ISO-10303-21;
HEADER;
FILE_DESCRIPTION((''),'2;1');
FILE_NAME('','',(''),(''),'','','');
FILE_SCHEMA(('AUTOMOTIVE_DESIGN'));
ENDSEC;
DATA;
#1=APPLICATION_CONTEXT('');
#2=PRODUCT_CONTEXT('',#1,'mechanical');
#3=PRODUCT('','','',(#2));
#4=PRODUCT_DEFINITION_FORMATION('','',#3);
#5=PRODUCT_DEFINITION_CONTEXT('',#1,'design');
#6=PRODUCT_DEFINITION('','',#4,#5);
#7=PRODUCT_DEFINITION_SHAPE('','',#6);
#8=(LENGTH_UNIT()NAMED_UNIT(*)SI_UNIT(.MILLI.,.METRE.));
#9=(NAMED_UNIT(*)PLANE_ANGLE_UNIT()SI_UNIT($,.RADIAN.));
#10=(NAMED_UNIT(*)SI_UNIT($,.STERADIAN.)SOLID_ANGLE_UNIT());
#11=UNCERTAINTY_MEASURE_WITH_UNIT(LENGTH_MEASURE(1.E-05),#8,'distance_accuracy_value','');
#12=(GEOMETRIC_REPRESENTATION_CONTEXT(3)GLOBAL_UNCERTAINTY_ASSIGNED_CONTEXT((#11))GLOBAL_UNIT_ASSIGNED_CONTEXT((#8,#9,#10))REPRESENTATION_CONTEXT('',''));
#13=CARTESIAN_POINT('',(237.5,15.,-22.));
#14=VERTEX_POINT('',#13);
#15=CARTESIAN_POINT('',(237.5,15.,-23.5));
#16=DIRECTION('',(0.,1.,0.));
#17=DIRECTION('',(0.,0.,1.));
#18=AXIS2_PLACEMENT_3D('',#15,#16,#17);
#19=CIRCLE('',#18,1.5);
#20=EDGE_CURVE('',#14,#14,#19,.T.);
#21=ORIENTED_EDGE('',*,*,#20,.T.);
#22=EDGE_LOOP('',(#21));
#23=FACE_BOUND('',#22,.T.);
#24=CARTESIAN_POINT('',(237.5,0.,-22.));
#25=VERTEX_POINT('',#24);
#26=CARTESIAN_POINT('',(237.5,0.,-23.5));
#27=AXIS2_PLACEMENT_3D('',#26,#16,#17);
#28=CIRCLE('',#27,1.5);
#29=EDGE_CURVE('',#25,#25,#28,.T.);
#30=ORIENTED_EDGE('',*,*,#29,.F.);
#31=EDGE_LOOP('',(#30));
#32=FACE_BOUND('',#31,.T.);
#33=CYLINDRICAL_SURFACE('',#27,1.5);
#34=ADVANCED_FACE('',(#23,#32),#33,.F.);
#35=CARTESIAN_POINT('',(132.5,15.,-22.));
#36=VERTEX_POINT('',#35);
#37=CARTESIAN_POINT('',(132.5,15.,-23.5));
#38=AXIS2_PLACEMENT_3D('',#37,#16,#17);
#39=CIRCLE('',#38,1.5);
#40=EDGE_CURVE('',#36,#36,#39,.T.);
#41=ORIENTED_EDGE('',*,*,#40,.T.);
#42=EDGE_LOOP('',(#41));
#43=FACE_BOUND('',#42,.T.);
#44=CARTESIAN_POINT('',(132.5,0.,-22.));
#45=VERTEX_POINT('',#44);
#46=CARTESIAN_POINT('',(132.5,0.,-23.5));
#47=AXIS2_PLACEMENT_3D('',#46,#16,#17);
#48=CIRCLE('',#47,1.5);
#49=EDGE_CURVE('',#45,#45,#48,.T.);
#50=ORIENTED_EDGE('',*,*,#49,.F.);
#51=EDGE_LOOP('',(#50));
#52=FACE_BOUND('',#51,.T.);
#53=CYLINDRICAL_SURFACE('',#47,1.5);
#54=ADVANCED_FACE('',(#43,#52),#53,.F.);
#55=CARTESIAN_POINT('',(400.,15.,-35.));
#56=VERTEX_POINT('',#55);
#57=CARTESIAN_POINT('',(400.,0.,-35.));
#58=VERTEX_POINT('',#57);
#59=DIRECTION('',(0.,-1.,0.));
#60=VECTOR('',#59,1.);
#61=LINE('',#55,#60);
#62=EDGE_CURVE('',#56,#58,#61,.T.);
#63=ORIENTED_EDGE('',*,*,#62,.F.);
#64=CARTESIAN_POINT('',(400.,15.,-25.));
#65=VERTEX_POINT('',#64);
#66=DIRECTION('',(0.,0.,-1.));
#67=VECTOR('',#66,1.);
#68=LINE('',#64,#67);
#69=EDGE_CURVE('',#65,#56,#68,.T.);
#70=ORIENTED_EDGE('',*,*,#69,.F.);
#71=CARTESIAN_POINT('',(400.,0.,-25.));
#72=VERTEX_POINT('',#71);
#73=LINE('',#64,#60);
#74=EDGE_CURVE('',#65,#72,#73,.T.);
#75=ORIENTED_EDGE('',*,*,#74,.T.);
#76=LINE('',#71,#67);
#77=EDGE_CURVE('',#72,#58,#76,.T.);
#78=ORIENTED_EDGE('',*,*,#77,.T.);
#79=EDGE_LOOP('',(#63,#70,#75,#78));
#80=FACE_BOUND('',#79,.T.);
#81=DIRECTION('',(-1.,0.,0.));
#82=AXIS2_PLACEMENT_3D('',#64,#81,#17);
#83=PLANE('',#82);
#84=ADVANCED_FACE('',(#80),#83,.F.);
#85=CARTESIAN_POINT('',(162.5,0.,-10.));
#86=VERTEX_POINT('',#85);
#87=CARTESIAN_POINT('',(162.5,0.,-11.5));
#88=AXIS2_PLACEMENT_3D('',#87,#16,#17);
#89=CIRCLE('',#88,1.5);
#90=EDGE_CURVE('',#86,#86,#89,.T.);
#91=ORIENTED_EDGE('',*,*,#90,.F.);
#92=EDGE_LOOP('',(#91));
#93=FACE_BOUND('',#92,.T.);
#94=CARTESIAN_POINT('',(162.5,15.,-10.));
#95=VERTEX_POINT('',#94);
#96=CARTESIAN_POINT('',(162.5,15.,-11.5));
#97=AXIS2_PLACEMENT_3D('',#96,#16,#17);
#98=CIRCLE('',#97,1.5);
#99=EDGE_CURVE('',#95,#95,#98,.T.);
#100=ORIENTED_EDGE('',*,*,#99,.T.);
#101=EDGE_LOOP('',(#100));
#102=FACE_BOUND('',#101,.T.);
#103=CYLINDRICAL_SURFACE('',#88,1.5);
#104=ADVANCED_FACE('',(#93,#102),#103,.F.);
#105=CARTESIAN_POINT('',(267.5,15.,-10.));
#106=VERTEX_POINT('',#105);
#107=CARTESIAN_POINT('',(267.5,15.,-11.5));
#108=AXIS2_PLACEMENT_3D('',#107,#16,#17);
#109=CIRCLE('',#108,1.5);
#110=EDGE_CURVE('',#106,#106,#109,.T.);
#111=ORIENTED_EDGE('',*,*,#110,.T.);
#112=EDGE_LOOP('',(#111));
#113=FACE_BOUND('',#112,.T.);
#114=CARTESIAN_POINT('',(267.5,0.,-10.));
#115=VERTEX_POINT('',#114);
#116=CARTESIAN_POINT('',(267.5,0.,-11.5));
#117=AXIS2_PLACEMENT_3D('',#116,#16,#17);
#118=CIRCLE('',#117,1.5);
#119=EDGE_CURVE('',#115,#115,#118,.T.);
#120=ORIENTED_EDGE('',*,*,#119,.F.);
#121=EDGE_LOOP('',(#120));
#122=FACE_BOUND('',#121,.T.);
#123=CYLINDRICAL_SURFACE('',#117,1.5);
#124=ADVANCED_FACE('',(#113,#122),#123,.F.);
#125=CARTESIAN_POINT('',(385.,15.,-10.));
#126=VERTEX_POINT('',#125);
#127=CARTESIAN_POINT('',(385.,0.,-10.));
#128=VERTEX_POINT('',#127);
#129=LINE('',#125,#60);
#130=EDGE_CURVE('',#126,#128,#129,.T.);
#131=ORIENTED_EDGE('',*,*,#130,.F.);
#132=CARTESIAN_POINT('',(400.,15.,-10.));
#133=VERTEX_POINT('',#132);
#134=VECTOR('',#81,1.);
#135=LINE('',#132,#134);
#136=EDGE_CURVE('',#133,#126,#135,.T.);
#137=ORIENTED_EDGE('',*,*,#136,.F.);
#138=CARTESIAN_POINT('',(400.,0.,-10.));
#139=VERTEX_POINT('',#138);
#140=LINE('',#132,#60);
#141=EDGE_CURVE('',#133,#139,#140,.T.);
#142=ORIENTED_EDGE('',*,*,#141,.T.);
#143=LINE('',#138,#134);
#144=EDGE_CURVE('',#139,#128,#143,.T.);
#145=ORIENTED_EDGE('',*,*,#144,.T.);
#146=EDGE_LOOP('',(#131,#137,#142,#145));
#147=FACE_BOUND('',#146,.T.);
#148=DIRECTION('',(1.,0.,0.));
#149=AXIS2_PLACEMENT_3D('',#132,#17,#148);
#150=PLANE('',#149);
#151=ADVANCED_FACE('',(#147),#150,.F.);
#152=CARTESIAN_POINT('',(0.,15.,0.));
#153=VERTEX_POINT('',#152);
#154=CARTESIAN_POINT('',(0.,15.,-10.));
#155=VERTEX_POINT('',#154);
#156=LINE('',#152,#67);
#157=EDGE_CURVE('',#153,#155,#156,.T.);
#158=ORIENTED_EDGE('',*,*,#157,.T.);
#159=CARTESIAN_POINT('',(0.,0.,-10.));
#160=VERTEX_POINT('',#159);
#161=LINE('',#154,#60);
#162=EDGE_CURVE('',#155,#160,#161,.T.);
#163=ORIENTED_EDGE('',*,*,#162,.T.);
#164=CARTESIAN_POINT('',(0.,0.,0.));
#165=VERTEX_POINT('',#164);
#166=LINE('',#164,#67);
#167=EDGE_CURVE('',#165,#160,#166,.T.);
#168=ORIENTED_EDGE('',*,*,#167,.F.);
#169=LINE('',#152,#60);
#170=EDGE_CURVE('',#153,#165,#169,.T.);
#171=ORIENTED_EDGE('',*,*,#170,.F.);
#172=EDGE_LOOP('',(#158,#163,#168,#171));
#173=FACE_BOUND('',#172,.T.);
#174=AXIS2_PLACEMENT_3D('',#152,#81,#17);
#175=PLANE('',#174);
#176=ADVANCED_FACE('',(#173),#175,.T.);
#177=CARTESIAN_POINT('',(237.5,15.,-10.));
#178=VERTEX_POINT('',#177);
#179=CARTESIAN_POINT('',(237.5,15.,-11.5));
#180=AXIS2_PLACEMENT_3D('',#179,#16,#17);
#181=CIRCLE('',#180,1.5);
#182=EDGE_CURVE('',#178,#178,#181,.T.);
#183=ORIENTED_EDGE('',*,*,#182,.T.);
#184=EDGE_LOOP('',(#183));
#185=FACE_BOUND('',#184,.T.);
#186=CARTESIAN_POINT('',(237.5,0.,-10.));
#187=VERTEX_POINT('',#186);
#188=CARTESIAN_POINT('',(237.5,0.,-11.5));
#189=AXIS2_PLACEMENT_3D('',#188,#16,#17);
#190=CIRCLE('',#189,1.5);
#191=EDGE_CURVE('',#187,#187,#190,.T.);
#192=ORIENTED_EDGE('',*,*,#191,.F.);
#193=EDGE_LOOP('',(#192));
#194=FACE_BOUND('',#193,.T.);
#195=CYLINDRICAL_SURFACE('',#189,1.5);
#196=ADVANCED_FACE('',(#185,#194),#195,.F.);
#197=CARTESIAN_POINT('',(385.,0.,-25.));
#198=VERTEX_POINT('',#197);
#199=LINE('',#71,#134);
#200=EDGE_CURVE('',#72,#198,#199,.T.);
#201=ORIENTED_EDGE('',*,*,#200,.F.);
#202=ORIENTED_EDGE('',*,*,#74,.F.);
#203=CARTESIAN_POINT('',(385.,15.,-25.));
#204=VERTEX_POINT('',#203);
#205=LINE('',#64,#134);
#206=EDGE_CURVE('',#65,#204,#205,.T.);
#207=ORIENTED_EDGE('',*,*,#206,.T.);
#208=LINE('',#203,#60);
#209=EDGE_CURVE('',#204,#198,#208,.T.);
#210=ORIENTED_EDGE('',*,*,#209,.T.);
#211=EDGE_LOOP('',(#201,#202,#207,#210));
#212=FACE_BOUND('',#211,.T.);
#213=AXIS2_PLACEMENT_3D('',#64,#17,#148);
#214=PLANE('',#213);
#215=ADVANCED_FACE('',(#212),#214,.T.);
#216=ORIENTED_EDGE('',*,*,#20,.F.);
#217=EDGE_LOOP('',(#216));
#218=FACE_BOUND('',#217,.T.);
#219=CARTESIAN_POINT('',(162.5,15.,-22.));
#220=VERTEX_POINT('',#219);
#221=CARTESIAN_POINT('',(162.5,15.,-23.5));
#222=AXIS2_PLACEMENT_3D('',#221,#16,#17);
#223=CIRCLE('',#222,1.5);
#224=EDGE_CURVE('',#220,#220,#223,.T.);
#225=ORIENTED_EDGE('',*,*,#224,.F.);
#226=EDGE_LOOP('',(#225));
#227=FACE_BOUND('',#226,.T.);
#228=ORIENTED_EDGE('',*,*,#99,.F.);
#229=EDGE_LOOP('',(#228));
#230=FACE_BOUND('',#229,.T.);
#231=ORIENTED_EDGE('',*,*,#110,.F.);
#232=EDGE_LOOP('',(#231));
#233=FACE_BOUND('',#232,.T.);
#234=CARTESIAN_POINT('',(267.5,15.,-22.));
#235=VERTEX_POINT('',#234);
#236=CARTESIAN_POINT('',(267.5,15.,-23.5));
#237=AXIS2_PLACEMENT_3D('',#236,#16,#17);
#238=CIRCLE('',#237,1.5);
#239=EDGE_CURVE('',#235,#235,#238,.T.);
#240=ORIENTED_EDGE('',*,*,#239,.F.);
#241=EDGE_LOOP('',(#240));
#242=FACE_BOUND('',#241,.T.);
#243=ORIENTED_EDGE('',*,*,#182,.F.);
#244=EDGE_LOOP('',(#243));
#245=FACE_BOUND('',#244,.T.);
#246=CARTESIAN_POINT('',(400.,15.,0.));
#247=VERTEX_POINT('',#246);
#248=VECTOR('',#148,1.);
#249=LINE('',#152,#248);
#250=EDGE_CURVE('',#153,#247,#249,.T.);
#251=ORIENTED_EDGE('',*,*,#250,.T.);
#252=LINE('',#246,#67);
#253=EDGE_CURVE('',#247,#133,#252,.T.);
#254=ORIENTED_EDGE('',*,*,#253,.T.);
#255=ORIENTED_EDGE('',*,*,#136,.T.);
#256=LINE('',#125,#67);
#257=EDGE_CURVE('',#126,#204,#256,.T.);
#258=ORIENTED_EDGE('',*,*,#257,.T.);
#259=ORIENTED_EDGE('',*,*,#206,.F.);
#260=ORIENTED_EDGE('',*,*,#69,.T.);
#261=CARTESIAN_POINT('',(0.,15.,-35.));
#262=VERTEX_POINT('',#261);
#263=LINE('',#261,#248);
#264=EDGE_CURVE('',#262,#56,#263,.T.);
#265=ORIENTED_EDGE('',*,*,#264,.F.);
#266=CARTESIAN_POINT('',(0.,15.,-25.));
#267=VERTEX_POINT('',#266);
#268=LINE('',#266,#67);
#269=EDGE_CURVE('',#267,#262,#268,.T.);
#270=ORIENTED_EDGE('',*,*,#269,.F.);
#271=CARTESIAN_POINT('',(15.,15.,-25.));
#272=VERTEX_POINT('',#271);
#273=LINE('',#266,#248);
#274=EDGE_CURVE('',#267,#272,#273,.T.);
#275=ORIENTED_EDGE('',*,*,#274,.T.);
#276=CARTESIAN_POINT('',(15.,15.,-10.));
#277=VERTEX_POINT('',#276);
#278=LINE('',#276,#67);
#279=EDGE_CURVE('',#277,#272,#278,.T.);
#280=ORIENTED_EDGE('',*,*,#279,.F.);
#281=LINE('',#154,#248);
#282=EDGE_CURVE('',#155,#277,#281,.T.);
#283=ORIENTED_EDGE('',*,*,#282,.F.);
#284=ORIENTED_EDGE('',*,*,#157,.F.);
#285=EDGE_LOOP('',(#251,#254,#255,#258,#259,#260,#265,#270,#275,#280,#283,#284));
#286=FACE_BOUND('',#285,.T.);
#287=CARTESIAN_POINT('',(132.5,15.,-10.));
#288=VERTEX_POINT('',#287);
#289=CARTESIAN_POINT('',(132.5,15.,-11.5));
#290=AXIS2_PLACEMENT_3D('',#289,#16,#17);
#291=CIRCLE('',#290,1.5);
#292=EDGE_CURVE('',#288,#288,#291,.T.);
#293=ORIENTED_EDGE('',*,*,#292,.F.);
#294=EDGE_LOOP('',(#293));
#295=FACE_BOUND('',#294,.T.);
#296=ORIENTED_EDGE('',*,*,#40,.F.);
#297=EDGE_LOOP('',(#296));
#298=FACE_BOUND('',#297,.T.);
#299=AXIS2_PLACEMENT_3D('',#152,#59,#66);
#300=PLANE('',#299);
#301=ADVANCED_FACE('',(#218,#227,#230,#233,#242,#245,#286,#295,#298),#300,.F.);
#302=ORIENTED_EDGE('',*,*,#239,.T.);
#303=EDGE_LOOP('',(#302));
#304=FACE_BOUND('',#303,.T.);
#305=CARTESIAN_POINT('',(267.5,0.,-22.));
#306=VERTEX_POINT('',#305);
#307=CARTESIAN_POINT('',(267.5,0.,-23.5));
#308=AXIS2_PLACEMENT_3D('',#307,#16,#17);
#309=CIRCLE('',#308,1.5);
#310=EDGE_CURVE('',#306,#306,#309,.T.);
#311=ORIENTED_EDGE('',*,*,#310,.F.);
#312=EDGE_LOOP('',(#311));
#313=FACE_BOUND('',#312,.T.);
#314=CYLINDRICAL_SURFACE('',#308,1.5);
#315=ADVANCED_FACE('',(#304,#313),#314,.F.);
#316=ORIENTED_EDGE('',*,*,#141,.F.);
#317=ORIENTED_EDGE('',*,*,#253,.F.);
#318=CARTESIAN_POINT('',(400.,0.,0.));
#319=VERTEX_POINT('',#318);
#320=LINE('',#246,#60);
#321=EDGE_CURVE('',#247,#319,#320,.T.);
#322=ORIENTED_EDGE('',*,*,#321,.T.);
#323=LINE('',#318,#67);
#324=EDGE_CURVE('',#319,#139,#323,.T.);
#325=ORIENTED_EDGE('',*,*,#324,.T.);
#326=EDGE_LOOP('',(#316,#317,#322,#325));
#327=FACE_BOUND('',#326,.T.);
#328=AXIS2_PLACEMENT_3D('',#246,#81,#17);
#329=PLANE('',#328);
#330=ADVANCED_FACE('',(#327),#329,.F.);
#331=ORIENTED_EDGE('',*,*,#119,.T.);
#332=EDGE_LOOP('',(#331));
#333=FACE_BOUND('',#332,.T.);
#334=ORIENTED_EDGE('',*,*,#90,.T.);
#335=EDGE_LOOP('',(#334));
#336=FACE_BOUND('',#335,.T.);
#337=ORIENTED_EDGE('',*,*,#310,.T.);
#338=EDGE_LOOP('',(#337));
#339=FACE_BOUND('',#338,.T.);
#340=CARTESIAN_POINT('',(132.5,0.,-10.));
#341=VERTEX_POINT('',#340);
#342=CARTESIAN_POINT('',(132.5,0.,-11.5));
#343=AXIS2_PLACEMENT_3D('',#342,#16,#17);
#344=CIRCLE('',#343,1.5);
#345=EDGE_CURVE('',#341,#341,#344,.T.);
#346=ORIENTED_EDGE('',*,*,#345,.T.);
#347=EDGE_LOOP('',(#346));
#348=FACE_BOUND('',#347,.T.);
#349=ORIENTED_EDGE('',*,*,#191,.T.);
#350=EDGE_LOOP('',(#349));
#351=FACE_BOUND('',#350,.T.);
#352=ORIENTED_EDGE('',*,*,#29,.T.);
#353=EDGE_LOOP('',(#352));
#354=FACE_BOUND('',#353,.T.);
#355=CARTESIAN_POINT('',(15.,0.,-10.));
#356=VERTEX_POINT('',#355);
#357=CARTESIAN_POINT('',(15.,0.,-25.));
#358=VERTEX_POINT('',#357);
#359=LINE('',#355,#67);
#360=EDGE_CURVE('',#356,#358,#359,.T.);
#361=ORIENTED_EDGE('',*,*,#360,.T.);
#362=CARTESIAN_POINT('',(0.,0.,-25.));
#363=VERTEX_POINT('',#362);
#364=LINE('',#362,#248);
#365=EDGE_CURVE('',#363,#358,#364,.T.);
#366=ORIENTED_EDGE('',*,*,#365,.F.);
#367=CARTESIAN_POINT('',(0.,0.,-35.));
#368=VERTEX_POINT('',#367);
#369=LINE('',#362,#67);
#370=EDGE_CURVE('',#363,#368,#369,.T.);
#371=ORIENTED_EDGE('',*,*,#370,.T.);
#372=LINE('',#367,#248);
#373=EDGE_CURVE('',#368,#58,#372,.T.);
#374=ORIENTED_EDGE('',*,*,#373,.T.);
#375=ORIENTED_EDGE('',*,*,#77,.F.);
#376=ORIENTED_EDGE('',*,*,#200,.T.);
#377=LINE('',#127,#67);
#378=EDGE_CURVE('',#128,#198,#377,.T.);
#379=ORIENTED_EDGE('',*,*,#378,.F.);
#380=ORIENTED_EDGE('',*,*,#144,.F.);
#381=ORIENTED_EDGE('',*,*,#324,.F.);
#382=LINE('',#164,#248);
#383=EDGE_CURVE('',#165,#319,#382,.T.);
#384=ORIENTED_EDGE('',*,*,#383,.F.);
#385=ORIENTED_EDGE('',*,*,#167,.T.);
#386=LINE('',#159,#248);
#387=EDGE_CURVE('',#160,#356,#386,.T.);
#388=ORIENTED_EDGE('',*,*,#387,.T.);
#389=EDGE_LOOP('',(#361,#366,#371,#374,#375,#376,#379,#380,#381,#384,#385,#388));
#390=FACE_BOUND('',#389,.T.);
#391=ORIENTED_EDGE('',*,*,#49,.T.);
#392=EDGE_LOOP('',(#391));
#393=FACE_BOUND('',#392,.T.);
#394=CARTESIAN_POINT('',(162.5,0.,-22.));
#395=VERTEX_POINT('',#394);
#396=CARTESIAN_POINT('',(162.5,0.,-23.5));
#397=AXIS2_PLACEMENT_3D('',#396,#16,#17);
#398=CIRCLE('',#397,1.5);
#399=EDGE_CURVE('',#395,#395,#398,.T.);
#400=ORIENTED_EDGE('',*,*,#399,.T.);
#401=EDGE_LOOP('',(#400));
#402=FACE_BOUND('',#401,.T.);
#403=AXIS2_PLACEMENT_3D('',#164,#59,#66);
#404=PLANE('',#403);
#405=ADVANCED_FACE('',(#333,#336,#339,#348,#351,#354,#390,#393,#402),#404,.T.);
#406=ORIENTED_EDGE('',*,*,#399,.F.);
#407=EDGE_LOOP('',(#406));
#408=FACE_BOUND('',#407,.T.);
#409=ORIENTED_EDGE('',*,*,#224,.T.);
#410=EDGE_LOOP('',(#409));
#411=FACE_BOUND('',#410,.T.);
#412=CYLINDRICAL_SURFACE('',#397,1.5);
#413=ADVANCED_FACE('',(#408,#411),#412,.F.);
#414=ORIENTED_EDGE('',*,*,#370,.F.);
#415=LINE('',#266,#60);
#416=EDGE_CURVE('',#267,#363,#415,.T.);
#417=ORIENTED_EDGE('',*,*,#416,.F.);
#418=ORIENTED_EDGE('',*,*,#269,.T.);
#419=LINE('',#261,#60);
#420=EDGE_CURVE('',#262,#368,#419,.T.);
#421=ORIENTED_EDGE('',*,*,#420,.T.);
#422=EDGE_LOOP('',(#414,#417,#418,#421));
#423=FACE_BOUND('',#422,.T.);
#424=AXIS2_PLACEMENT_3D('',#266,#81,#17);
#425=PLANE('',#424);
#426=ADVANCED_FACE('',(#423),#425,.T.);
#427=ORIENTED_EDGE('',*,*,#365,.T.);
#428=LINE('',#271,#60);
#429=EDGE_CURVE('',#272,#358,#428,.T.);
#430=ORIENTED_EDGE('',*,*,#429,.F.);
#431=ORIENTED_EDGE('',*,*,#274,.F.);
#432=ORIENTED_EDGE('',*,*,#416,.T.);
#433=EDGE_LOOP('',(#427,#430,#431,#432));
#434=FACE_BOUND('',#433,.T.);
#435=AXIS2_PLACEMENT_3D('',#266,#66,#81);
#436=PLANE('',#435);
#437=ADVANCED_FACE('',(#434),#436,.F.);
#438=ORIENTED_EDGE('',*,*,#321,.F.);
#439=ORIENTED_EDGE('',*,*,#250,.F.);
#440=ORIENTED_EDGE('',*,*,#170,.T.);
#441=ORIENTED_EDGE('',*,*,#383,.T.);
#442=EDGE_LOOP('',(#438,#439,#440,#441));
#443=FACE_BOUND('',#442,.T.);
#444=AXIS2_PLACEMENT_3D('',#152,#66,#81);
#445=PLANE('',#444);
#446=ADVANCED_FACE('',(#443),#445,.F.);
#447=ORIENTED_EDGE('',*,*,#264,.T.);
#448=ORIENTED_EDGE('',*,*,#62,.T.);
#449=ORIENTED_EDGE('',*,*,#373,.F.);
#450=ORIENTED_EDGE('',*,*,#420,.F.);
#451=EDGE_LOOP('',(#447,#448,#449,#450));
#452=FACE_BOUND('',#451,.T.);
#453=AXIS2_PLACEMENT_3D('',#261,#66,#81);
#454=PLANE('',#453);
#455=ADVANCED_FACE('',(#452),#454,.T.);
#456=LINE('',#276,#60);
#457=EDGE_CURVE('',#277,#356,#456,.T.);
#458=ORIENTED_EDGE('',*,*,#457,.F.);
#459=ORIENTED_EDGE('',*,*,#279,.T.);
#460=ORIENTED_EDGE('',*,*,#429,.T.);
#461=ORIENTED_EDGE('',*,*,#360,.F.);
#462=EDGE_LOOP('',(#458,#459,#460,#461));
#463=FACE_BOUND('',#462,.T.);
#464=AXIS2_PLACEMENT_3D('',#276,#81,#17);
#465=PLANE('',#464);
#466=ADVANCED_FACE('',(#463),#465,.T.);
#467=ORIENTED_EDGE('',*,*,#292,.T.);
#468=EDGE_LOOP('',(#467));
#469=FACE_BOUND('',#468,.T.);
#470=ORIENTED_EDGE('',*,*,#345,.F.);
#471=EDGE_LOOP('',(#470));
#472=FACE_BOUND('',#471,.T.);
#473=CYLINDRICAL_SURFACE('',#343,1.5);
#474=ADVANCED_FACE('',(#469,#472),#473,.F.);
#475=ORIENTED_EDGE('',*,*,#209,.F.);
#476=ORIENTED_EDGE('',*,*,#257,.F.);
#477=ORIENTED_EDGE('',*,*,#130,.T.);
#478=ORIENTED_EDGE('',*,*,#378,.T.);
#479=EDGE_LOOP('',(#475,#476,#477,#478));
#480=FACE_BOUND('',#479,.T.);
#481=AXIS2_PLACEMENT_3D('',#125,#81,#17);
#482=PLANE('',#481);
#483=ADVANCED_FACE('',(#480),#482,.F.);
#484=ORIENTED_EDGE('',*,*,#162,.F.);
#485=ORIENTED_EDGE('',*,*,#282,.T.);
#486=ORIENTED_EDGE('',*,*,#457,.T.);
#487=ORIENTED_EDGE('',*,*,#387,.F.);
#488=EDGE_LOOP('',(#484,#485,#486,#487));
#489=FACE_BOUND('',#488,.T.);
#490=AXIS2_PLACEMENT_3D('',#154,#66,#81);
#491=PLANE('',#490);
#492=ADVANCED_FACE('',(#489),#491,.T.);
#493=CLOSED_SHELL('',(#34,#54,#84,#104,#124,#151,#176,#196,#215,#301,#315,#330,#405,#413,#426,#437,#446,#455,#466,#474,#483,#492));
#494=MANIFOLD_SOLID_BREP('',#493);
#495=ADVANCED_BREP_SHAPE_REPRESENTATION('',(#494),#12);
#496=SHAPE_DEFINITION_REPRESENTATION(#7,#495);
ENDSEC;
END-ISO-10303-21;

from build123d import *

# Parameters (mm, degrees)
EXTRUDE_1_DEPTH     = 15
SKETCH_4_R          = 1.5
CUT_EXTRUDE_1_DEPTH = 15


with BuildPart() as part:
    # 草图3 → 凸台-拉伸1 (new body)
    with BuildSketch(Plane(origin=(0, 0, 0), x_dir=(1, 0, 0), z_dir=(0, 1, 0))):
        Polygon((0, 0), (400, 0), (400, 10), (385, 10), (385, 25), (400, 25), (400, 35), (0, 35), (0, 25), (15, 25), (15, 10), (0, 10), align=None)
    extrude(amount=EXTRUDE_1_DEPTH)

    # 草图4 → 切除-拉伸1 (cut)
    with BuildSketch(Plane(origin=(0, 15, 0), x_dir=(1, 0, 0), z_dir=(0, 1, 0))):
        with Locations(Location((267.5, 11.5, 0), (0, 0, 270))):
            Circle(SKETCH_4_R)
        with Locations(Location((267.5, 23.5, 0), (0, 0, 270))):
            Circle(SKETCH_4_R)
        with Locations(Location((237.5, 11.5, 0), (0, 0, 270))):
            Circle(SKETCH_4_R)
        with Locations(Location((237.5, 23.5, 0), (0, 0, 270))):
            Circle(SKETCH_4_R)
        with Locations(Location((162.5, 11.5, 0), (0, 0, 270))):
            Circle(SKETCH_4_R)
        with Locations(Location((132.5, 11.5, 0), (0, 0, 270))):
            Circle(SKETCH_4_R)
        with Locations(Location((132.5, 23.5, 0), (0, 0, 270))):
            Circle(SKETCH_4_R)
        with Locations(Location((162.5, 23.5, 0), (0, 0, 270))):
            Circle(SKETCH_4_R)
    extrude(amount=-CUT_EXTRUDE_1_DEPTH, mode=Mode.SUBTRACT)


solid = part.part
